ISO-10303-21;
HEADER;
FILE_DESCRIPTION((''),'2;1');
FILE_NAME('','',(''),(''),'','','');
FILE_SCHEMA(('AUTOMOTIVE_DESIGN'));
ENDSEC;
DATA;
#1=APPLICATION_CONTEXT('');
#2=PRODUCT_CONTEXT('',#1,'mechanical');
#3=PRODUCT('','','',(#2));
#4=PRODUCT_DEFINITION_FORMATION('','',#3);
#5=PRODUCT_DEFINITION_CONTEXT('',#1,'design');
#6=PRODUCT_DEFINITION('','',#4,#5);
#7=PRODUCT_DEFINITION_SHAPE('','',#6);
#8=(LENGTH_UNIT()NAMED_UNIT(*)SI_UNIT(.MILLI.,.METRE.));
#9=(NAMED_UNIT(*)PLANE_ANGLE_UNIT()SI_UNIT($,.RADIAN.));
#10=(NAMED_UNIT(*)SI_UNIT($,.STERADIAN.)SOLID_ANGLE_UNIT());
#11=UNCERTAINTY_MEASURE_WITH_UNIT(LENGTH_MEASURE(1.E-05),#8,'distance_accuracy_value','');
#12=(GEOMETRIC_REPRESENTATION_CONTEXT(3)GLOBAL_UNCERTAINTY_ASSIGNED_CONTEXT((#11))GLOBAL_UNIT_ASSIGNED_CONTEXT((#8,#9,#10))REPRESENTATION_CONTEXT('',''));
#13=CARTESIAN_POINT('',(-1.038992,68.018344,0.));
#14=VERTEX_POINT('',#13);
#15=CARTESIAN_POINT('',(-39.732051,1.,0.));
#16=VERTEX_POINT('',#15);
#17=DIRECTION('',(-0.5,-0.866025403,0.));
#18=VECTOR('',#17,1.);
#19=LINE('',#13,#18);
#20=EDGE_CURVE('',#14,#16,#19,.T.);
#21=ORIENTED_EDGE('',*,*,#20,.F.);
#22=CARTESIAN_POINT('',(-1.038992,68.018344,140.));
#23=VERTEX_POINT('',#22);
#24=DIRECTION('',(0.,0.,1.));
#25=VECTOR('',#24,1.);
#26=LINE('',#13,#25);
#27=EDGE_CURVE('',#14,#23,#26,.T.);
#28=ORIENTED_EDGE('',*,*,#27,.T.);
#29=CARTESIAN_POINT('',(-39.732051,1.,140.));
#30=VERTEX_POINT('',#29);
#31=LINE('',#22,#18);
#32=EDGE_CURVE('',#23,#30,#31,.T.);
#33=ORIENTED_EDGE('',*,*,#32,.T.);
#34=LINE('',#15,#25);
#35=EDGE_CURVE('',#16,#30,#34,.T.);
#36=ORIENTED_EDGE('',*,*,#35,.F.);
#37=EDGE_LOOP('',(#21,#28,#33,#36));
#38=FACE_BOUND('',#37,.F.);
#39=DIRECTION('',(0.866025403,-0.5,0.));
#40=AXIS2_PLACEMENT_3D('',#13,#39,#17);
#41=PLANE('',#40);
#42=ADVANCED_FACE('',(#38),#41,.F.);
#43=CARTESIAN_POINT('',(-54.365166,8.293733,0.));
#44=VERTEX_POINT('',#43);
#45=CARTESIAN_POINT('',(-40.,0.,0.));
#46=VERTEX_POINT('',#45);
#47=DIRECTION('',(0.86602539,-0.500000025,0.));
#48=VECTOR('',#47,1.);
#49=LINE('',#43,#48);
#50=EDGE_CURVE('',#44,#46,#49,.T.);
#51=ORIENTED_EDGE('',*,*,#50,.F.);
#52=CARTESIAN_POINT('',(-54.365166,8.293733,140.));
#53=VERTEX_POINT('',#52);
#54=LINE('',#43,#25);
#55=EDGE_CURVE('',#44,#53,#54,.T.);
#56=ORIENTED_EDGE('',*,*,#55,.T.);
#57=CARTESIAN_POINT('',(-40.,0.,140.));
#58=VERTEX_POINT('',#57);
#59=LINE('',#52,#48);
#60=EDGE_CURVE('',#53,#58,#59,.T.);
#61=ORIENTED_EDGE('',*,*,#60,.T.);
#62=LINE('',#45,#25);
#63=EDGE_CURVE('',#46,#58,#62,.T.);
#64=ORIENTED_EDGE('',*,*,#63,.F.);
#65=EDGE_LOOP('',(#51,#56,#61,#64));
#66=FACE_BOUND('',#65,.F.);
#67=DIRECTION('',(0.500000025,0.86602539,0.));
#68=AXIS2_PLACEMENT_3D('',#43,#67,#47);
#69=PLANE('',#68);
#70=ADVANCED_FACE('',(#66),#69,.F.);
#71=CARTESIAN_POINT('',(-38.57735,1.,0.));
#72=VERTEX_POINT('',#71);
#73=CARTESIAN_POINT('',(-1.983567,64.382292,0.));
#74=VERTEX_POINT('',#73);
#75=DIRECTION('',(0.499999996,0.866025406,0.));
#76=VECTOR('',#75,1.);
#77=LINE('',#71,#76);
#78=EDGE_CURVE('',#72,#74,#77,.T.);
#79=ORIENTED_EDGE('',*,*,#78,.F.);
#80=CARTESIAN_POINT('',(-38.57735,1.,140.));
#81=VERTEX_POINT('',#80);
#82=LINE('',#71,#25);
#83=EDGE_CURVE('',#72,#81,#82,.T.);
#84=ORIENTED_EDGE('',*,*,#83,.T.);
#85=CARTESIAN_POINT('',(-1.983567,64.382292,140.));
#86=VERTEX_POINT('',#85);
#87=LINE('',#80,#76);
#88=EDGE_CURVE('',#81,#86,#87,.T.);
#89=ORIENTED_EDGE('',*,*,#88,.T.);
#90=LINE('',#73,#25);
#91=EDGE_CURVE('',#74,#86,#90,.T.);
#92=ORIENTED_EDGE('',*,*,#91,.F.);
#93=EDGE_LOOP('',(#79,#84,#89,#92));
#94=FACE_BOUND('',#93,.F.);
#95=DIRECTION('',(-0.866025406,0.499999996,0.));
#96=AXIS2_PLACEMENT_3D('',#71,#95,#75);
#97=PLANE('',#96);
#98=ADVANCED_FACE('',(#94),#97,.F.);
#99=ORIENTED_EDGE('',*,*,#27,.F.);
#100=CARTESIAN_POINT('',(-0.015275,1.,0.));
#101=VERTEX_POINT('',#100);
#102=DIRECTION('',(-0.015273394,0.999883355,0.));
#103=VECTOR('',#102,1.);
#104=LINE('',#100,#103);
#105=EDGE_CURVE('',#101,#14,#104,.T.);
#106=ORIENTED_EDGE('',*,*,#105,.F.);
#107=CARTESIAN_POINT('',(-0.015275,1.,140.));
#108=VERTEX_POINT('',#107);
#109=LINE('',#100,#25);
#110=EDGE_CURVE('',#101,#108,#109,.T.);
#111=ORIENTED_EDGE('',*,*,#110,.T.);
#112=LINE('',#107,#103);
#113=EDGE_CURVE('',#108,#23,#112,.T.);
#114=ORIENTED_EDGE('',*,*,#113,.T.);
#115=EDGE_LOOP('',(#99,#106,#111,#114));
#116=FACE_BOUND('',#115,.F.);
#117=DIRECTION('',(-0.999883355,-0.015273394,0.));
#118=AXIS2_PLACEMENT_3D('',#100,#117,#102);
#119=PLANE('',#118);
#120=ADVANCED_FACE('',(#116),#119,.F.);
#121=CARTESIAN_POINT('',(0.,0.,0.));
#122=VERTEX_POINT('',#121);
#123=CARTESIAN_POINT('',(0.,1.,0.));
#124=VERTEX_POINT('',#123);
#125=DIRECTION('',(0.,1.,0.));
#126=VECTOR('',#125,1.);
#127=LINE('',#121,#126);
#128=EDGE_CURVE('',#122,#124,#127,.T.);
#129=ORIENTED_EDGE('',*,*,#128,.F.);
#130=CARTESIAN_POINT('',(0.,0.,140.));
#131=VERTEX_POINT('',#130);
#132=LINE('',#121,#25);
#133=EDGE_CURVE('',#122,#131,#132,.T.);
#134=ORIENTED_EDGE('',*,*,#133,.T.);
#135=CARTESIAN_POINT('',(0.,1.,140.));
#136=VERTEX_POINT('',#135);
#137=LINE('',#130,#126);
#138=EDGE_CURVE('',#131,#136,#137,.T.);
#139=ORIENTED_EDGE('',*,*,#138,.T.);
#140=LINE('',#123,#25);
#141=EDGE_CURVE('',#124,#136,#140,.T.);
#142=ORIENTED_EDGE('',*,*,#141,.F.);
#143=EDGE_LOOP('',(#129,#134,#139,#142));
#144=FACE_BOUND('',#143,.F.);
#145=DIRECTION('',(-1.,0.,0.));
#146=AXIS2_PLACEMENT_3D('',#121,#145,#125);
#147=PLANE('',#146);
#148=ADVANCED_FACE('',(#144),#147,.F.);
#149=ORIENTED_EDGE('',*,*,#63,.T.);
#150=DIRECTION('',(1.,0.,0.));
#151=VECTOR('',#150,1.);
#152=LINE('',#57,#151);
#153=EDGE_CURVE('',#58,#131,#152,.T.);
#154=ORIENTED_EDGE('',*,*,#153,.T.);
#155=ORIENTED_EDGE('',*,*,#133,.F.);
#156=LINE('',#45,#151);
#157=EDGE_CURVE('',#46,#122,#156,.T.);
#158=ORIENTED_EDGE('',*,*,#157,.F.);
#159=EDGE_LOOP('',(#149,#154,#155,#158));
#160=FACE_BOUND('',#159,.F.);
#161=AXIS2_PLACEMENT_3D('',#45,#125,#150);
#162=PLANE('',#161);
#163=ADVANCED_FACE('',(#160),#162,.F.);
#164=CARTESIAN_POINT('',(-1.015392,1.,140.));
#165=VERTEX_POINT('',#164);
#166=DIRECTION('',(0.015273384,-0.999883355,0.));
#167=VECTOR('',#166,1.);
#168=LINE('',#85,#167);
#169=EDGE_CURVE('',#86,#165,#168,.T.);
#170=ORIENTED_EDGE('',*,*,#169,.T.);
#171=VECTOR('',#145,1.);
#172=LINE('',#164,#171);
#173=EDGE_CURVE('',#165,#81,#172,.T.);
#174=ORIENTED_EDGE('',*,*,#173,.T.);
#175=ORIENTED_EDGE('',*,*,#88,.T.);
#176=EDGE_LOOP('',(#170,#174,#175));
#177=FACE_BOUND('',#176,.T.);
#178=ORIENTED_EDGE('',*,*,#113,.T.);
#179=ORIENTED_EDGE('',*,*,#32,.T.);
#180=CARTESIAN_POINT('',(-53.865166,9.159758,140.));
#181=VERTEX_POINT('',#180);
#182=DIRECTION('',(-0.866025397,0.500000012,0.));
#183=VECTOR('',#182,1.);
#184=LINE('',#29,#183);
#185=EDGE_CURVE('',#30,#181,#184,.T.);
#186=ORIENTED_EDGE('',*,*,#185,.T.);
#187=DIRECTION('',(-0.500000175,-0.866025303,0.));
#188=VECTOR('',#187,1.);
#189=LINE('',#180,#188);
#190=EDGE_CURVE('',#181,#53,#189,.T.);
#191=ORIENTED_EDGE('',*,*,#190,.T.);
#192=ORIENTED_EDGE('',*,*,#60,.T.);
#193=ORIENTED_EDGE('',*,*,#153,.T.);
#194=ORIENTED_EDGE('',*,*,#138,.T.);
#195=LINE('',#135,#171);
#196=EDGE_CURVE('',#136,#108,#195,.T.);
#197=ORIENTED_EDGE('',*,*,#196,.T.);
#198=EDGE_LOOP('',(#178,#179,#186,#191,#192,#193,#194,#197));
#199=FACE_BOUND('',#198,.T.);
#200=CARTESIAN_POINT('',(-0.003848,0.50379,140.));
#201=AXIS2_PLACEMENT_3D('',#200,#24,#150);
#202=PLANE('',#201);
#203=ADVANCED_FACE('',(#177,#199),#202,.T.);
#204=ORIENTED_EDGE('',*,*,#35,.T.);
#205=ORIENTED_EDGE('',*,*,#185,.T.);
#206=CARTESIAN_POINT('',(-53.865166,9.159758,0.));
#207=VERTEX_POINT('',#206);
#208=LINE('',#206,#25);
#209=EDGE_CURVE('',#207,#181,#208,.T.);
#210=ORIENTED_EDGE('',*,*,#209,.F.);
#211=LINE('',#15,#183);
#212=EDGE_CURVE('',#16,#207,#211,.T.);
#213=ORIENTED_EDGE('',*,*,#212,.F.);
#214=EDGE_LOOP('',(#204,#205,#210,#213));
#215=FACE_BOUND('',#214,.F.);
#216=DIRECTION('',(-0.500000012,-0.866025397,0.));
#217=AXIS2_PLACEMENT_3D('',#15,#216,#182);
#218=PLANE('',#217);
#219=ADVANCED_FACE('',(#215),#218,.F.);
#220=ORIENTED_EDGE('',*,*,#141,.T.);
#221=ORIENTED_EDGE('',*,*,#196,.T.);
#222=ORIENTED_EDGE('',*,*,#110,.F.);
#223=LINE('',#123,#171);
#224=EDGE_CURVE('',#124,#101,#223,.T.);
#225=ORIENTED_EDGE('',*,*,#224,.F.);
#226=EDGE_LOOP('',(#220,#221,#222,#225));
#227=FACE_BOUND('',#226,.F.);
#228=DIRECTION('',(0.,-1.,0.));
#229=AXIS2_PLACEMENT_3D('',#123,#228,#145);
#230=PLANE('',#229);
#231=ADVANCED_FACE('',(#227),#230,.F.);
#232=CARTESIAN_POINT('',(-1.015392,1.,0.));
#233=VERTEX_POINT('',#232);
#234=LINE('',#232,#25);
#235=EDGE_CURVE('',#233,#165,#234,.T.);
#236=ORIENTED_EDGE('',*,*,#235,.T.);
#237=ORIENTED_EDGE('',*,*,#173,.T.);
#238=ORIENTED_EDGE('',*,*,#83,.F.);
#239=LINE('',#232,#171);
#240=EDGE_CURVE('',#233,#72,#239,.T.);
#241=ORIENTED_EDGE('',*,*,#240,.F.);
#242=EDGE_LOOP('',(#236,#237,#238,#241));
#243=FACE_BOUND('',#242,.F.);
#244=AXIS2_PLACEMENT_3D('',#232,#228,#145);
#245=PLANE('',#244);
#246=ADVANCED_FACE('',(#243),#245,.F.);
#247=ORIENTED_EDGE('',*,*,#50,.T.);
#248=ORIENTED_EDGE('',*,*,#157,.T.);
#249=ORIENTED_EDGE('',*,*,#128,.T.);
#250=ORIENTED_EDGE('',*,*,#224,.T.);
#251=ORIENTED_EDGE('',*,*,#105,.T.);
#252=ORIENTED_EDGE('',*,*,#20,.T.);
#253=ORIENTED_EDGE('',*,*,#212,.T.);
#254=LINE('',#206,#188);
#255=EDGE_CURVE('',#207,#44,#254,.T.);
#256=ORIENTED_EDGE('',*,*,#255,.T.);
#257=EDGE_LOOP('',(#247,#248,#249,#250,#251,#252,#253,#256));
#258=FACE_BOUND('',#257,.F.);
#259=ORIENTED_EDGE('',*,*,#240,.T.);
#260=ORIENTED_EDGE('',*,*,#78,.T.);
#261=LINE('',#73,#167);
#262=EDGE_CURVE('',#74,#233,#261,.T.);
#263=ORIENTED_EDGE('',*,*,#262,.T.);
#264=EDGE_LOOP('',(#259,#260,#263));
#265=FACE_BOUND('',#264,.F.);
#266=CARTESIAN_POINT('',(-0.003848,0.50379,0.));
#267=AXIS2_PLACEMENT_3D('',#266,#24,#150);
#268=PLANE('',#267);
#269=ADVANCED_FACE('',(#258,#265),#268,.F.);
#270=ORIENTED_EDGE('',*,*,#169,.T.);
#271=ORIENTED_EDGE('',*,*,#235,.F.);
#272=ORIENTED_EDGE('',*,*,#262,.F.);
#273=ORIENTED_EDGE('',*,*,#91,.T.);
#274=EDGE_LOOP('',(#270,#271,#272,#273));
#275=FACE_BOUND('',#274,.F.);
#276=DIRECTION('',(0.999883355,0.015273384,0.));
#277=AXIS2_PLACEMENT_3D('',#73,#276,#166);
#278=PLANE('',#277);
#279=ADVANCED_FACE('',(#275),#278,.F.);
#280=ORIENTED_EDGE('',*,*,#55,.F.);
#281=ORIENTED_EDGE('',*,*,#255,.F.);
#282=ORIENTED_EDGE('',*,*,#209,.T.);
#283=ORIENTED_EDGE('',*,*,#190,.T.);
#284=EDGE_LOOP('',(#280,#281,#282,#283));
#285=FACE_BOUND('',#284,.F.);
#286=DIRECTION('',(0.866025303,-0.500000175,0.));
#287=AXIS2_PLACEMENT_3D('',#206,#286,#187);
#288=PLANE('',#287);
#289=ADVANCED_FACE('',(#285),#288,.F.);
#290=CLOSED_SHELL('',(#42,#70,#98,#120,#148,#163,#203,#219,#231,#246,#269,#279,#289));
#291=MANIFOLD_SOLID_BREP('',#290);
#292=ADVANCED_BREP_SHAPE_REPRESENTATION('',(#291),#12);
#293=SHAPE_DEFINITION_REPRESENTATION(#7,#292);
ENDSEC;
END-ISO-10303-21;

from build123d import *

# Parameters (mm, degrees)
F1_DEPTH = 140


with BuildPart() as f1:
    # F0 (on Top) → F1 (new body)
    with BuildSketch(Plane.XY):
        Polygon((-0.015275, 1), (0, 0), (0, 1), align=None)
        Polygon((-39.154701, 0), (0, 0), (-0.015275, 1), (-1.038992, 68.018344), (-39.732051, 1), (-53.865166, 9.159758), (-54.365166, 8.293733), (-40, 0), align=None)
        Polygon((-1.015392, 1), (-38.57735, 1), (-1.983567, 64.382292), align=None, mode=Mode.SUBTRACT)
    extrude(amount=F1_DEPTH)


solid = f1.part
